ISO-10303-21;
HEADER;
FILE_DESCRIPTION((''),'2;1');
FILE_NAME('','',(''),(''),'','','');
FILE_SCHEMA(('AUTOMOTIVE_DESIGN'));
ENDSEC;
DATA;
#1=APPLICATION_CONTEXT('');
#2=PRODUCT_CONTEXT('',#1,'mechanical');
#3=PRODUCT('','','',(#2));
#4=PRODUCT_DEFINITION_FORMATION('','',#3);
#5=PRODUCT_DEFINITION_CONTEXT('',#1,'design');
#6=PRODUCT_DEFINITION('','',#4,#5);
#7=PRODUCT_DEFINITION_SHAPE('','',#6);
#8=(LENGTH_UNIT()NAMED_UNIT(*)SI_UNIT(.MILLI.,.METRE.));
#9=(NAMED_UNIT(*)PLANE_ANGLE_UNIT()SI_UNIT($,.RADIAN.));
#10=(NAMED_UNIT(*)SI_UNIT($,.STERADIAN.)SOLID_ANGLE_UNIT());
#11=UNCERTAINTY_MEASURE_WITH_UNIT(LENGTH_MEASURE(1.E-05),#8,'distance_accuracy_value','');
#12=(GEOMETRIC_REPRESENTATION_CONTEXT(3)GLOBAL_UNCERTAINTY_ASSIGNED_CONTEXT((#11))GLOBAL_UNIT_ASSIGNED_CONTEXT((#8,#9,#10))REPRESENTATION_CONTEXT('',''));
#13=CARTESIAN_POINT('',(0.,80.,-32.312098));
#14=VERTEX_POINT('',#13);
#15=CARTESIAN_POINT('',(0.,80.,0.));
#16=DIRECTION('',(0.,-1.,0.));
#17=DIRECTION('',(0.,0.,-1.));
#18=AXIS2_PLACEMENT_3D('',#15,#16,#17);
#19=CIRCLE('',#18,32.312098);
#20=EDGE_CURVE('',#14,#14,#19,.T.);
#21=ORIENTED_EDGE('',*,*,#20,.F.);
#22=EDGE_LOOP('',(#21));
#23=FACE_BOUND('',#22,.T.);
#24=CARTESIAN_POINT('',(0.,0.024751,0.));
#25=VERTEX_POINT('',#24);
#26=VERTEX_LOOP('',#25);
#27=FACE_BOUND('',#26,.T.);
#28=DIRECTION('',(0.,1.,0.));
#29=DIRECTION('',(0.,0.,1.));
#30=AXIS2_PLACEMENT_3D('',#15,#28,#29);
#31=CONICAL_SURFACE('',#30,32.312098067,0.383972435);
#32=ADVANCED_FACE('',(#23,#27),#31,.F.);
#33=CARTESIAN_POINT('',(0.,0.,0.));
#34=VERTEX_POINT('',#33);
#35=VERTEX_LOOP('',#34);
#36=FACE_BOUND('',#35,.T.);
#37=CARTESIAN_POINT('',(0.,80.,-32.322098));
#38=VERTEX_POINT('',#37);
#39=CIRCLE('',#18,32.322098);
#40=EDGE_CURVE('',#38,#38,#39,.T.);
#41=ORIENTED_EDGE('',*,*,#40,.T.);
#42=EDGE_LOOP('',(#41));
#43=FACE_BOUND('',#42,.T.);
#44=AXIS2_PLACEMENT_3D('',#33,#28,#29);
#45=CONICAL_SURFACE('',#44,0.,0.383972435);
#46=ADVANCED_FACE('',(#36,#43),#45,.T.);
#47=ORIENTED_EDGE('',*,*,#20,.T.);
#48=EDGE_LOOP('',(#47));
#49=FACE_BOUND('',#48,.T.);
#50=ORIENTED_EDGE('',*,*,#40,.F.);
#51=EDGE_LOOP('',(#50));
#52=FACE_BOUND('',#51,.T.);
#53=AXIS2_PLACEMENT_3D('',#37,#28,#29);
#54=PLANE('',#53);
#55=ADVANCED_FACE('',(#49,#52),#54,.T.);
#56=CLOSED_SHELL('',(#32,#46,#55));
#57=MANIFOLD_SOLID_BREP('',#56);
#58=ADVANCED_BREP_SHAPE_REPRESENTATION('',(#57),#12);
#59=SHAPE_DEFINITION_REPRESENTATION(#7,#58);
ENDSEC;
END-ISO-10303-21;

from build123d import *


with BuildPart() as part:
    # 草图2 → 旋转1 (revolve)
    with BuildSketch(Plane(origin=(0, 0, 0), x_dir=(0, 0, -1), z_dir=(1, 0, 0))):
        Polygon((0, 0), (32.322098067, 80), (32.312098067, 80), (0, 0.024750869), align=None)
    revolve(axis=Axis((0, 0, 0), (0, 1, 0)))


solid = part.part
